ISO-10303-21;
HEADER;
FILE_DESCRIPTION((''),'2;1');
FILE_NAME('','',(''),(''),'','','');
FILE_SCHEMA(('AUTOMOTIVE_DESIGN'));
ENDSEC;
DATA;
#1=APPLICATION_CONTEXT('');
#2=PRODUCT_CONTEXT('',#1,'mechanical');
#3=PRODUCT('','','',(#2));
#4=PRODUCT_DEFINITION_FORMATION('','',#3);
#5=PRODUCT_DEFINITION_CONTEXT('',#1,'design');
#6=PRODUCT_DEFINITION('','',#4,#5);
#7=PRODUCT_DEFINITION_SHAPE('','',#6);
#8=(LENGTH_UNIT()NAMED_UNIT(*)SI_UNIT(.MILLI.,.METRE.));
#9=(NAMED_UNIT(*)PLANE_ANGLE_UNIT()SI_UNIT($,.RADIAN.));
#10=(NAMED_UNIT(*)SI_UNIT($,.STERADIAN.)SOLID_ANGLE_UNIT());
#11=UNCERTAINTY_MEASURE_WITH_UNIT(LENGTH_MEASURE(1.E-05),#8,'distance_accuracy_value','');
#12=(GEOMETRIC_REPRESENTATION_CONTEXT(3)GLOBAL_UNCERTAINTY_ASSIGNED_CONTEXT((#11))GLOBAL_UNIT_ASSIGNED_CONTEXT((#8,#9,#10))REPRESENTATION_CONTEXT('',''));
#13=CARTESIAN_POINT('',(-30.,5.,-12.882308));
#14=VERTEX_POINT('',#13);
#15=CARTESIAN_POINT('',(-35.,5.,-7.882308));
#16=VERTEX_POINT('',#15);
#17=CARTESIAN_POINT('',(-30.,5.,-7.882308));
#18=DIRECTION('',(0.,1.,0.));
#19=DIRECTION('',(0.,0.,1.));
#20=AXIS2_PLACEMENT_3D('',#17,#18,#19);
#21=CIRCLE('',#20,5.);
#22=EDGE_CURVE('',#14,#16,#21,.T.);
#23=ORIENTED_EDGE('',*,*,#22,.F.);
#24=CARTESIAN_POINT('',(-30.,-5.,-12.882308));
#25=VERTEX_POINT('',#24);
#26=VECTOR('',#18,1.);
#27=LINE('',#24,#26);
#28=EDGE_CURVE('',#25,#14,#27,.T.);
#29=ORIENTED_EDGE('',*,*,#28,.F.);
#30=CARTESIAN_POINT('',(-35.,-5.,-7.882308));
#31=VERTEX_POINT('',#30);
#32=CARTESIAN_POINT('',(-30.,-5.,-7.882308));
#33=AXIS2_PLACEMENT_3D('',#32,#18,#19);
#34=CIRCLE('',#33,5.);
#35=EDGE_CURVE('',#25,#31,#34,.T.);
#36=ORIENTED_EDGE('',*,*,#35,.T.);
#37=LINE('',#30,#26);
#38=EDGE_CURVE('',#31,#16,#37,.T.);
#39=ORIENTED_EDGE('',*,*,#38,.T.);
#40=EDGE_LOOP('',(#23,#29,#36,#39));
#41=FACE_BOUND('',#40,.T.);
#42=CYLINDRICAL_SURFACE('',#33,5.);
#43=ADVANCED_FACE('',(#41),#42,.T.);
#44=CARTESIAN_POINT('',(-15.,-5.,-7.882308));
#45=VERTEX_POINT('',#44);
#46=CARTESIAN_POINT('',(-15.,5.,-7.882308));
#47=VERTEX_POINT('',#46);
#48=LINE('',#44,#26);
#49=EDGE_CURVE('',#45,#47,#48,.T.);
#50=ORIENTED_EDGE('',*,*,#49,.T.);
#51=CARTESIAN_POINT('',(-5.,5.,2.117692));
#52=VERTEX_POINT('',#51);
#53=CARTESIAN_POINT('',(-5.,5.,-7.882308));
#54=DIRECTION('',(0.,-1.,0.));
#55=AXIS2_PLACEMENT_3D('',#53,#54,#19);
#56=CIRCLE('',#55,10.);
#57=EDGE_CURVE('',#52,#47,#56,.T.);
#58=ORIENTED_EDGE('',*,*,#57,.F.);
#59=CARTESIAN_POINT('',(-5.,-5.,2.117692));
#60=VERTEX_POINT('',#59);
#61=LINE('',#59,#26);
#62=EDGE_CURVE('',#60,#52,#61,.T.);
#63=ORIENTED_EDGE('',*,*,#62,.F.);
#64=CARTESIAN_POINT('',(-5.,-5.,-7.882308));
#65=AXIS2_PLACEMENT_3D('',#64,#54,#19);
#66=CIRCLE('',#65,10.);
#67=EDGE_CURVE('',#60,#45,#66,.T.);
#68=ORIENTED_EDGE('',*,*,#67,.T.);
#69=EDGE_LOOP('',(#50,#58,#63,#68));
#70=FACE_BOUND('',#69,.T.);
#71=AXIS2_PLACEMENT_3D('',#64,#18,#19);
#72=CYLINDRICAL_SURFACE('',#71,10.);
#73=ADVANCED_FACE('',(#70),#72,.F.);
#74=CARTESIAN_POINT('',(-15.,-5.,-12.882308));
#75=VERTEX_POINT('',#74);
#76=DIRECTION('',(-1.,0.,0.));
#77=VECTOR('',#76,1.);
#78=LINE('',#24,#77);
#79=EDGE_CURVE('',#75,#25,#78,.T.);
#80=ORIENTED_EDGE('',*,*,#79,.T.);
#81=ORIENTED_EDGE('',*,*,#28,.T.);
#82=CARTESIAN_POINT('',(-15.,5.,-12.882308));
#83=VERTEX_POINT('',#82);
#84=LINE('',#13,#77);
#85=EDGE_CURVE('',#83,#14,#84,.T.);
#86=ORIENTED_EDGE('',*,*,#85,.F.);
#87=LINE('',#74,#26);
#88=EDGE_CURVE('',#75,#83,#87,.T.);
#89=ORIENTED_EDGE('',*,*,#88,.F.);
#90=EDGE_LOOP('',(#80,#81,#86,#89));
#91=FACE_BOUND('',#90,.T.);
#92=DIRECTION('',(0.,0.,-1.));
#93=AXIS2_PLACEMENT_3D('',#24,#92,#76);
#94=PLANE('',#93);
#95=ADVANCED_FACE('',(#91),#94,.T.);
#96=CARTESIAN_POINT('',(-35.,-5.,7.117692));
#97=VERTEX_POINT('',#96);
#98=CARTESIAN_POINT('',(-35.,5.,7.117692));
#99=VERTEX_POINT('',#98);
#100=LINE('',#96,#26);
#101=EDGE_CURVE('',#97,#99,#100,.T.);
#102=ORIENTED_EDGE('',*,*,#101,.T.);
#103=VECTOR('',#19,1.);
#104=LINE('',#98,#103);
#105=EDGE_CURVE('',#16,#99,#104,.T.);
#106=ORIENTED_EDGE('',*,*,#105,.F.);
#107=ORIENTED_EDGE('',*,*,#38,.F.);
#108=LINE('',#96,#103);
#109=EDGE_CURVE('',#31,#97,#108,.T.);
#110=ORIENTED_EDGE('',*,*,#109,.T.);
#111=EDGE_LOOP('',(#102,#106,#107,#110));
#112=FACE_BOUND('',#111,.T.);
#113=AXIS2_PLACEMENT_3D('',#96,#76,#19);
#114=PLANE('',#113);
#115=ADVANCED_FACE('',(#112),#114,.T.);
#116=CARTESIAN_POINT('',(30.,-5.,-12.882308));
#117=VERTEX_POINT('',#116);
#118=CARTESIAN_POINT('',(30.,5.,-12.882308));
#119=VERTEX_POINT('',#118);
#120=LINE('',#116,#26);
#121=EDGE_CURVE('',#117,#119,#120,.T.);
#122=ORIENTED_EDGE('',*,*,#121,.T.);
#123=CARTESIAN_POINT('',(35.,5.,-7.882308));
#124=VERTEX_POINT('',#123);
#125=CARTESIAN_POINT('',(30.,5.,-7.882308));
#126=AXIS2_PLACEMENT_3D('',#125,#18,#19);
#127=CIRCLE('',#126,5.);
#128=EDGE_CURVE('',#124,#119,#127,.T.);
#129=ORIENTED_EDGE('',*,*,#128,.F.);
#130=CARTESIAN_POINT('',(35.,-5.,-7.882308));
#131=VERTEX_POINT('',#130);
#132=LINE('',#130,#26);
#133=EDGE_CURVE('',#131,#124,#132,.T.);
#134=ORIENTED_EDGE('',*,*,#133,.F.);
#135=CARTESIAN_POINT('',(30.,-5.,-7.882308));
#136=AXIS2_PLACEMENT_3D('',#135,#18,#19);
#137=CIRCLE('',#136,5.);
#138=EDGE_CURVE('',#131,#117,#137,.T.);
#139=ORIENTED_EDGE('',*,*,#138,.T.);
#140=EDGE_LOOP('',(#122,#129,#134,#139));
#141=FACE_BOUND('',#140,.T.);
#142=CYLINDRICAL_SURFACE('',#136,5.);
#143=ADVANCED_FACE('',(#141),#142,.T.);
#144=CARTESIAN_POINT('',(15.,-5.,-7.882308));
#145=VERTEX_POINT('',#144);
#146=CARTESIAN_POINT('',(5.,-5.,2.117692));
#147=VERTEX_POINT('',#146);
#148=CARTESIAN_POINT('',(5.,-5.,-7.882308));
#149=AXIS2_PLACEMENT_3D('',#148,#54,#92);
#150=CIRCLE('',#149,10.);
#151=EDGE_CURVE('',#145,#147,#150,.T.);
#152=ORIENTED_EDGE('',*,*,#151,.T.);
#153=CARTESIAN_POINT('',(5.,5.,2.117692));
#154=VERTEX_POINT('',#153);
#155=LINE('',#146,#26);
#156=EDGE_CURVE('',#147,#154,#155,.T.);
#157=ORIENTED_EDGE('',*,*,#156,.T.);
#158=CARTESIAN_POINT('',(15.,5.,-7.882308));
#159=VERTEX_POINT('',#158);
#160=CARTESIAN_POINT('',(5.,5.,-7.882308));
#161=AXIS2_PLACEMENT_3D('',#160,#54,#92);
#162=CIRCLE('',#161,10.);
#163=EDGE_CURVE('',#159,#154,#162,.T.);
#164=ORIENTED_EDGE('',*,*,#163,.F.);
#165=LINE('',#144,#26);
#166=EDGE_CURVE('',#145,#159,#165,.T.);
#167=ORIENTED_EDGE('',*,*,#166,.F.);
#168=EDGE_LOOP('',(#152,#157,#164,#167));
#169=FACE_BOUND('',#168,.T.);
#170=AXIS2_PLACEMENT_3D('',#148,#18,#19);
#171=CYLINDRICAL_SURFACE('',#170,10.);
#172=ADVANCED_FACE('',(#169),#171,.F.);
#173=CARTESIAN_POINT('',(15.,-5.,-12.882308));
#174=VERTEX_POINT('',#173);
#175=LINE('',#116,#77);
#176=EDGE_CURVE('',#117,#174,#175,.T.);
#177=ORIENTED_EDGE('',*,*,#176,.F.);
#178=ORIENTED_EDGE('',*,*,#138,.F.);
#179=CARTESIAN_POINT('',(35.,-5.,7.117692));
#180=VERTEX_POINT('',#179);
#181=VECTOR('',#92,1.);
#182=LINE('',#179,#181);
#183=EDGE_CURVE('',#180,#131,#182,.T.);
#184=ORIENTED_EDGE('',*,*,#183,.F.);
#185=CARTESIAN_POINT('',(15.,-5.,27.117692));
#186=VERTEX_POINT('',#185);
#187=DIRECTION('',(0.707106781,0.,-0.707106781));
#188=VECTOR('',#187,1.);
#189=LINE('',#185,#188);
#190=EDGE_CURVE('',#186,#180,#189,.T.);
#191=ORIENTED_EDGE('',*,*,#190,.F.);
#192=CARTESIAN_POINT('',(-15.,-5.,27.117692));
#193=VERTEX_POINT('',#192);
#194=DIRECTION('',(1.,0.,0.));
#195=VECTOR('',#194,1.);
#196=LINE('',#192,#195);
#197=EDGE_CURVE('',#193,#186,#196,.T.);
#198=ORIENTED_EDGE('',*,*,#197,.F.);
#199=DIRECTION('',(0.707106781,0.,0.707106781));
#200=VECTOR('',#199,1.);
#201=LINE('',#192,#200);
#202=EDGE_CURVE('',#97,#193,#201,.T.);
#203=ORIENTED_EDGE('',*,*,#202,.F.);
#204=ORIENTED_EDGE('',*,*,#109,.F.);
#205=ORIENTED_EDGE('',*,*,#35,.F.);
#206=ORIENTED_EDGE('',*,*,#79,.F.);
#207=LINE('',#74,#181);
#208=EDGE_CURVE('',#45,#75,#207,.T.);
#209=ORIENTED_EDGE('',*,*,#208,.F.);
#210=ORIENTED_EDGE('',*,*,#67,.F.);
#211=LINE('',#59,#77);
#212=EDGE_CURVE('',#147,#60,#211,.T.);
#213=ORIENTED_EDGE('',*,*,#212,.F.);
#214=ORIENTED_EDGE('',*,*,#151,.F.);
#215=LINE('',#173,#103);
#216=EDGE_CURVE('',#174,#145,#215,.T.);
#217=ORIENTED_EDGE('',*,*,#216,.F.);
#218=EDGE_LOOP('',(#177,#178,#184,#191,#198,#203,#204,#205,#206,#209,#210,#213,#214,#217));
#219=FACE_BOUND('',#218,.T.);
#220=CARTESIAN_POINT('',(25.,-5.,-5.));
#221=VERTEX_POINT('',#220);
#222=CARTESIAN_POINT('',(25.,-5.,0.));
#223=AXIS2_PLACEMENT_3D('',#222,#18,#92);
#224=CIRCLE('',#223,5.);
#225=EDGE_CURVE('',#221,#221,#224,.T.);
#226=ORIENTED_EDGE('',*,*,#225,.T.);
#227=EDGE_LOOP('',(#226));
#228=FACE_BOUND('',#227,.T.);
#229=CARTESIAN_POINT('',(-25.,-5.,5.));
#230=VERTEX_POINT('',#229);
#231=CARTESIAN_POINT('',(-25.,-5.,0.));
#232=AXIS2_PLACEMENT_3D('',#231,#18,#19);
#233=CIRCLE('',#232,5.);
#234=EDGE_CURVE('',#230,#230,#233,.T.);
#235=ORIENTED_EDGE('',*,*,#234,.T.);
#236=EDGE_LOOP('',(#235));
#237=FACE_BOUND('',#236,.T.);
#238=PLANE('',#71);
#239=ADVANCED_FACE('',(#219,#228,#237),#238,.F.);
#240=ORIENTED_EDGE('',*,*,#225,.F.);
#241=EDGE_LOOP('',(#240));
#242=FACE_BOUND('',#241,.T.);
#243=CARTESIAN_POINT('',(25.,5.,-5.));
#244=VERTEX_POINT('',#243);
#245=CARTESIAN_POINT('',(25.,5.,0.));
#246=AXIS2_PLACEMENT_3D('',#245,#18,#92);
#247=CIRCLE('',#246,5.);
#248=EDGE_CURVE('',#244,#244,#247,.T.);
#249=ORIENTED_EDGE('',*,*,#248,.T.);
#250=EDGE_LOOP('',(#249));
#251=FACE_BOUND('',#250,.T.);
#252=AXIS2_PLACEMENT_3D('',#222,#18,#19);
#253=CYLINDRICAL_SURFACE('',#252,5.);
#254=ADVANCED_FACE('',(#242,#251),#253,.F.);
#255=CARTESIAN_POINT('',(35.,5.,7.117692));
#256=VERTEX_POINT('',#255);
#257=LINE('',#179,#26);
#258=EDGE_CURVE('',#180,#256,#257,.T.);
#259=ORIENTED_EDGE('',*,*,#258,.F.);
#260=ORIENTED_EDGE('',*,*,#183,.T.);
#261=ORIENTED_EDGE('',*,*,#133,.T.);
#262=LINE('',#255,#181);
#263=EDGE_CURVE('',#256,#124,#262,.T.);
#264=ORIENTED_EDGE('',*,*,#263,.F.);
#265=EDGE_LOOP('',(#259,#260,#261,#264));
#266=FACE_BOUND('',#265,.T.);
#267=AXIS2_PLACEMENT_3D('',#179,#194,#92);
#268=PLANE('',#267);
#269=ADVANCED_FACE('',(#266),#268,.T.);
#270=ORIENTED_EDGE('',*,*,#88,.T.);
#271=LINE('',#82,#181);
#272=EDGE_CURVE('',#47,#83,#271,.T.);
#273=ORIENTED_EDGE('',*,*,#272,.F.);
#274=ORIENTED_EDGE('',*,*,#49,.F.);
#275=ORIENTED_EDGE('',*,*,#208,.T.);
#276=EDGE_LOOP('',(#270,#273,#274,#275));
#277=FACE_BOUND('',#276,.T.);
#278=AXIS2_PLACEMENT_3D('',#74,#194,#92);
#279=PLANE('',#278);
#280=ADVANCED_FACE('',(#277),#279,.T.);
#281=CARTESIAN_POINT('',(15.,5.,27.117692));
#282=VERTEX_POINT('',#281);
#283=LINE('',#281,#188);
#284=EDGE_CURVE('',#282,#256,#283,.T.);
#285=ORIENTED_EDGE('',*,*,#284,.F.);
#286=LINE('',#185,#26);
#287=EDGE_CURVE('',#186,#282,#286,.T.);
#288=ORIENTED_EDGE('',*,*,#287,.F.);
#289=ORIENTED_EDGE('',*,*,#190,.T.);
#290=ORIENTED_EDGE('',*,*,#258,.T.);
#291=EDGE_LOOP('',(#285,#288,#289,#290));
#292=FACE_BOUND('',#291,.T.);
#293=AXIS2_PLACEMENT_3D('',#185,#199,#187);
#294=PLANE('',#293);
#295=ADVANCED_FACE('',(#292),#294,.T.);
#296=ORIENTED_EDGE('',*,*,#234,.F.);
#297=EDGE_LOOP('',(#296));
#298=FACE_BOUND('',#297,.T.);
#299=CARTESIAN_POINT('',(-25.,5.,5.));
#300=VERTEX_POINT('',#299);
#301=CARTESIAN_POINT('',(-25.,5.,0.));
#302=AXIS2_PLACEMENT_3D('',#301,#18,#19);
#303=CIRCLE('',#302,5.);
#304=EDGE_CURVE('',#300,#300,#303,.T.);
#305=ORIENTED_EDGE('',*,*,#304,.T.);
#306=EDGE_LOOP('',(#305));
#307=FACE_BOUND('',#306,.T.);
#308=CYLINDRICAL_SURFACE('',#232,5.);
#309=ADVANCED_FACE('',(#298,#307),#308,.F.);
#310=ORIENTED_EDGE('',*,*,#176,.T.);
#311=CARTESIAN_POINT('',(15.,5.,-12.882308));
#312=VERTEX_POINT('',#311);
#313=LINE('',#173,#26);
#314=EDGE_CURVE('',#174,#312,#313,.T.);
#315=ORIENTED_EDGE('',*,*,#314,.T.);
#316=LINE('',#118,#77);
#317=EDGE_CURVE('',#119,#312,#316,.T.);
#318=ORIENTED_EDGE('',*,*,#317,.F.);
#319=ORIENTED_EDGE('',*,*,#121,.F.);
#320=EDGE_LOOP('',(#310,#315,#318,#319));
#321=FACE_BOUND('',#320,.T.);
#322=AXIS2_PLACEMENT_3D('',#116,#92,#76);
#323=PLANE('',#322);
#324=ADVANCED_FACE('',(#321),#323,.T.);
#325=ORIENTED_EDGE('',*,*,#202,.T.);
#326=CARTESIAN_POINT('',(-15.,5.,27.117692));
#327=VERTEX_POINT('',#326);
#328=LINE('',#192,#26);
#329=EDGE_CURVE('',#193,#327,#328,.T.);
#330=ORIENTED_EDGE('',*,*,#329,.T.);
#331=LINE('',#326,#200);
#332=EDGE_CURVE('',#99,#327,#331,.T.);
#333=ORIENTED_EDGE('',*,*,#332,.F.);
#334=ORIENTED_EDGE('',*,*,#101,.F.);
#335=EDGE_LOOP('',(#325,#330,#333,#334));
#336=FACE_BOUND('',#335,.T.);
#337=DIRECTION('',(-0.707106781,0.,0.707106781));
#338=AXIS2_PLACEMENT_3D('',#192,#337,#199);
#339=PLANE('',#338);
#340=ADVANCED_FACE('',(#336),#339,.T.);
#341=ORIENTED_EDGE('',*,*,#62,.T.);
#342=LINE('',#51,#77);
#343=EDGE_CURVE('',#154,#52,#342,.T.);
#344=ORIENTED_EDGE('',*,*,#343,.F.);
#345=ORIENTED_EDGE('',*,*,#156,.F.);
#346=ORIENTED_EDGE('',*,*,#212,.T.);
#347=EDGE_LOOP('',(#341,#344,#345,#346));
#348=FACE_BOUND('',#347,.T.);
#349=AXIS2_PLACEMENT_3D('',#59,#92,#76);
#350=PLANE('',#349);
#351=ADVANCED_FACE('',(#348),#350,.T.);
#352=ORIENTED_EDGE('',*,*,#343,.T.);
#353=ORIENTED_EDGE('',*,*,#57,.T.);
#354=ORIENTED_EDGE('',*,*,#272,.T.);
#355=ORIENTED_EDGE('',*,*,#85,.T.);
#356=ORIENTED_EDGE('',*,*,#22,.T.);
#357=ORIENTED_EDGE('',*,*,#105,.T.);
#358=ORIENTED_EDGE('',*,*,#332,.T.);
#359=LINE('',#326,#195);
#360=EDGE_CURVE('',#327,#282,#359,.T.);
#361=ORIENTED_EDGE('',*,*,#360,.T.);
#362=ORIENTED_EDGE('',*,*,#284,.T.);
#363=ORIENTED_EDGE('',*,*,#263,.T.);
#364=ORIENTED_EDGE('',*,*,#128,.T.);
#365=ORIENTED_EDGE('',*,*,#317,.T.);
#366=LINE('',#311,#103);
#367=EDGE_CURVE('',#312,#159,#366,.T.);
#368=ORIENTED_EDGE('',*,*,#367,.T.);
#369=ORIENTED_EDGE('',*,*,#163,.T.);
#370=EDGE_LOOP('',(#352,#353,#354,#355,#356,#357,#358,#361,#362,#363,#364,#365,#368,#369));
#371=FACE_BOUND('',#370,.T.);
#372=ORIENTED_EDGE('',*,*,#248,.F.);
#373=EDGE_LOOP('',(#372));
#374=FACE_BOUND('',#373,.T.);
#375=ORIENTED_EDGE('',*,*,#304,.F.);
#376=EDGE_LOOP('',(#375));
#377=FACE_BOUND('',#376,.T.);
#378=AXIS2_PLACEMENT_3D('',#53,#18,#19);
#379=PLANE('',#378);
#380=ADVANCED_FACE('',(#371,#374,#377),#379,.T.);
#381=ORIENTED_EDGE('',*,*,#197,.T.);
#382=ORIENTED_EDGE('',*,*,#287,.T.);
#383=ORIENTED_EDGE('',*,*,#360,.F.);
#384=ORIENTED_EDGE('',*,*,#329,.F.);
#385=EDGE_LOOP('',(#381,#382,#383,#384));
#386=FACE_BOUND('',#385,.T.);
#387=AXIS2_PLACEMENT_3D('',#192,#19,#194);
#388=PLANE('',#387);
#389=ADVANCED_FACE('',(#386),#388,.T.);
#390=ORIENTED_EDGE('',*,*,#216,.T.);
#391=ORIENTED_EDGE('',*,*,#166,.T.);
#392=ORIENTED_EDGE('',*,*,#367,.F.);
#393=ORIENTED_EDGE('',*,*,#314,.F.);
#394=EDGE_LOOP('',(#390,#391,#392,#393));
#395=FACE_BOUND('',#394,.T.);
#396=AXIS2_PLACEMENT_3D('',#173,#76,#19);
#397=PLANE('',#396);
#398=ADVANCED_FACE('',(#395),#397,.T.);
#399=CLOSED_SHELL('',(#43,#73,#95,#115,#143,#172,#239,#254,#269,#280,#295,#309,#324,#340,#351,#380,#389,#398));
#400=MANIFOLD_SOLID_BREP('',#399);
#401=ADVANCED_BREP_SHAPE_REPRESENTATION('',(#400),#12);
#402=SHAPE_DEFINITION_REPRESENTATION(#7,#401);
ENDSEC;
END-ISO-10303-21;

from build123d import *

# Parameters (mm, degrees)
BOSS_EXTRUDE2_DEPTH      = 5
BOSS_EXTRUDE2_DEPTH_BACK = 5
SKETCH1_R                = 5


with BuildPart() as part:
    # Sketch1 → Boss-Extrude2 (new, two sides: drawn at the far end of the back side and taken through both)
    with BuildSketch(Plane(origin=(0, 0, 0), x_dir=(1, 0, 0), z_dir=(0, 1, 0)).offset(-BOSS_EXTRUDE2_DEPTH_BACK)):
        with BuildLine():
            Line((-30, 12.882308015), (-15, 12.882308015))
            Line((-15, 12.882308015), (-15, 7.882308015))
            ThreePointArc((-15, 7.882308015), (-12.071067812, 0.811240203), (-5, -2.117691985))
            Line((-5, -2.117691985), (5, -2.117691985))
            ThreePointArc((5, -2.117691985), (12.071067812, 0.811240203), (15, 7.882308015))
            Line((15, 7.882308015), (15, 12.882308015))
            Line((15, 12.882308015), (30, 12.882308015))
            ThreePointArc((30, 12.882308015), (33.535533906, 11.417841921), (35, 7.882308015))
            Line((35, 7.882308015), (35, -7.117691985))
            Line((35, -7.117691985), (15, -27.117691985))
            Line((15, -27.117691985), (-15, -27.117691985))
            Line((-15, -27.117691985), (-35, -7.117691985))
            Line((-35, -7.117691985), (-35, 7.882308015))
            ThreePointArc((-35, 7.882308015), (-33.535533906, 11.417841921), (-30, 12.882308015))
        make_face()
        with Locations((-25, 0)):
            Circle(SKETCH1_R, mode=Mode.SUBTRACT)
        with Locations((25, 0)):
            Circle(SKETCH1_R, mode=Mode.SUBTRACT)
    extrude(amount=BOSS_EXTRUDE2_DEPTH + BOSS_EXTRUDE2_DEPTH_BACK)


solid = part.part
